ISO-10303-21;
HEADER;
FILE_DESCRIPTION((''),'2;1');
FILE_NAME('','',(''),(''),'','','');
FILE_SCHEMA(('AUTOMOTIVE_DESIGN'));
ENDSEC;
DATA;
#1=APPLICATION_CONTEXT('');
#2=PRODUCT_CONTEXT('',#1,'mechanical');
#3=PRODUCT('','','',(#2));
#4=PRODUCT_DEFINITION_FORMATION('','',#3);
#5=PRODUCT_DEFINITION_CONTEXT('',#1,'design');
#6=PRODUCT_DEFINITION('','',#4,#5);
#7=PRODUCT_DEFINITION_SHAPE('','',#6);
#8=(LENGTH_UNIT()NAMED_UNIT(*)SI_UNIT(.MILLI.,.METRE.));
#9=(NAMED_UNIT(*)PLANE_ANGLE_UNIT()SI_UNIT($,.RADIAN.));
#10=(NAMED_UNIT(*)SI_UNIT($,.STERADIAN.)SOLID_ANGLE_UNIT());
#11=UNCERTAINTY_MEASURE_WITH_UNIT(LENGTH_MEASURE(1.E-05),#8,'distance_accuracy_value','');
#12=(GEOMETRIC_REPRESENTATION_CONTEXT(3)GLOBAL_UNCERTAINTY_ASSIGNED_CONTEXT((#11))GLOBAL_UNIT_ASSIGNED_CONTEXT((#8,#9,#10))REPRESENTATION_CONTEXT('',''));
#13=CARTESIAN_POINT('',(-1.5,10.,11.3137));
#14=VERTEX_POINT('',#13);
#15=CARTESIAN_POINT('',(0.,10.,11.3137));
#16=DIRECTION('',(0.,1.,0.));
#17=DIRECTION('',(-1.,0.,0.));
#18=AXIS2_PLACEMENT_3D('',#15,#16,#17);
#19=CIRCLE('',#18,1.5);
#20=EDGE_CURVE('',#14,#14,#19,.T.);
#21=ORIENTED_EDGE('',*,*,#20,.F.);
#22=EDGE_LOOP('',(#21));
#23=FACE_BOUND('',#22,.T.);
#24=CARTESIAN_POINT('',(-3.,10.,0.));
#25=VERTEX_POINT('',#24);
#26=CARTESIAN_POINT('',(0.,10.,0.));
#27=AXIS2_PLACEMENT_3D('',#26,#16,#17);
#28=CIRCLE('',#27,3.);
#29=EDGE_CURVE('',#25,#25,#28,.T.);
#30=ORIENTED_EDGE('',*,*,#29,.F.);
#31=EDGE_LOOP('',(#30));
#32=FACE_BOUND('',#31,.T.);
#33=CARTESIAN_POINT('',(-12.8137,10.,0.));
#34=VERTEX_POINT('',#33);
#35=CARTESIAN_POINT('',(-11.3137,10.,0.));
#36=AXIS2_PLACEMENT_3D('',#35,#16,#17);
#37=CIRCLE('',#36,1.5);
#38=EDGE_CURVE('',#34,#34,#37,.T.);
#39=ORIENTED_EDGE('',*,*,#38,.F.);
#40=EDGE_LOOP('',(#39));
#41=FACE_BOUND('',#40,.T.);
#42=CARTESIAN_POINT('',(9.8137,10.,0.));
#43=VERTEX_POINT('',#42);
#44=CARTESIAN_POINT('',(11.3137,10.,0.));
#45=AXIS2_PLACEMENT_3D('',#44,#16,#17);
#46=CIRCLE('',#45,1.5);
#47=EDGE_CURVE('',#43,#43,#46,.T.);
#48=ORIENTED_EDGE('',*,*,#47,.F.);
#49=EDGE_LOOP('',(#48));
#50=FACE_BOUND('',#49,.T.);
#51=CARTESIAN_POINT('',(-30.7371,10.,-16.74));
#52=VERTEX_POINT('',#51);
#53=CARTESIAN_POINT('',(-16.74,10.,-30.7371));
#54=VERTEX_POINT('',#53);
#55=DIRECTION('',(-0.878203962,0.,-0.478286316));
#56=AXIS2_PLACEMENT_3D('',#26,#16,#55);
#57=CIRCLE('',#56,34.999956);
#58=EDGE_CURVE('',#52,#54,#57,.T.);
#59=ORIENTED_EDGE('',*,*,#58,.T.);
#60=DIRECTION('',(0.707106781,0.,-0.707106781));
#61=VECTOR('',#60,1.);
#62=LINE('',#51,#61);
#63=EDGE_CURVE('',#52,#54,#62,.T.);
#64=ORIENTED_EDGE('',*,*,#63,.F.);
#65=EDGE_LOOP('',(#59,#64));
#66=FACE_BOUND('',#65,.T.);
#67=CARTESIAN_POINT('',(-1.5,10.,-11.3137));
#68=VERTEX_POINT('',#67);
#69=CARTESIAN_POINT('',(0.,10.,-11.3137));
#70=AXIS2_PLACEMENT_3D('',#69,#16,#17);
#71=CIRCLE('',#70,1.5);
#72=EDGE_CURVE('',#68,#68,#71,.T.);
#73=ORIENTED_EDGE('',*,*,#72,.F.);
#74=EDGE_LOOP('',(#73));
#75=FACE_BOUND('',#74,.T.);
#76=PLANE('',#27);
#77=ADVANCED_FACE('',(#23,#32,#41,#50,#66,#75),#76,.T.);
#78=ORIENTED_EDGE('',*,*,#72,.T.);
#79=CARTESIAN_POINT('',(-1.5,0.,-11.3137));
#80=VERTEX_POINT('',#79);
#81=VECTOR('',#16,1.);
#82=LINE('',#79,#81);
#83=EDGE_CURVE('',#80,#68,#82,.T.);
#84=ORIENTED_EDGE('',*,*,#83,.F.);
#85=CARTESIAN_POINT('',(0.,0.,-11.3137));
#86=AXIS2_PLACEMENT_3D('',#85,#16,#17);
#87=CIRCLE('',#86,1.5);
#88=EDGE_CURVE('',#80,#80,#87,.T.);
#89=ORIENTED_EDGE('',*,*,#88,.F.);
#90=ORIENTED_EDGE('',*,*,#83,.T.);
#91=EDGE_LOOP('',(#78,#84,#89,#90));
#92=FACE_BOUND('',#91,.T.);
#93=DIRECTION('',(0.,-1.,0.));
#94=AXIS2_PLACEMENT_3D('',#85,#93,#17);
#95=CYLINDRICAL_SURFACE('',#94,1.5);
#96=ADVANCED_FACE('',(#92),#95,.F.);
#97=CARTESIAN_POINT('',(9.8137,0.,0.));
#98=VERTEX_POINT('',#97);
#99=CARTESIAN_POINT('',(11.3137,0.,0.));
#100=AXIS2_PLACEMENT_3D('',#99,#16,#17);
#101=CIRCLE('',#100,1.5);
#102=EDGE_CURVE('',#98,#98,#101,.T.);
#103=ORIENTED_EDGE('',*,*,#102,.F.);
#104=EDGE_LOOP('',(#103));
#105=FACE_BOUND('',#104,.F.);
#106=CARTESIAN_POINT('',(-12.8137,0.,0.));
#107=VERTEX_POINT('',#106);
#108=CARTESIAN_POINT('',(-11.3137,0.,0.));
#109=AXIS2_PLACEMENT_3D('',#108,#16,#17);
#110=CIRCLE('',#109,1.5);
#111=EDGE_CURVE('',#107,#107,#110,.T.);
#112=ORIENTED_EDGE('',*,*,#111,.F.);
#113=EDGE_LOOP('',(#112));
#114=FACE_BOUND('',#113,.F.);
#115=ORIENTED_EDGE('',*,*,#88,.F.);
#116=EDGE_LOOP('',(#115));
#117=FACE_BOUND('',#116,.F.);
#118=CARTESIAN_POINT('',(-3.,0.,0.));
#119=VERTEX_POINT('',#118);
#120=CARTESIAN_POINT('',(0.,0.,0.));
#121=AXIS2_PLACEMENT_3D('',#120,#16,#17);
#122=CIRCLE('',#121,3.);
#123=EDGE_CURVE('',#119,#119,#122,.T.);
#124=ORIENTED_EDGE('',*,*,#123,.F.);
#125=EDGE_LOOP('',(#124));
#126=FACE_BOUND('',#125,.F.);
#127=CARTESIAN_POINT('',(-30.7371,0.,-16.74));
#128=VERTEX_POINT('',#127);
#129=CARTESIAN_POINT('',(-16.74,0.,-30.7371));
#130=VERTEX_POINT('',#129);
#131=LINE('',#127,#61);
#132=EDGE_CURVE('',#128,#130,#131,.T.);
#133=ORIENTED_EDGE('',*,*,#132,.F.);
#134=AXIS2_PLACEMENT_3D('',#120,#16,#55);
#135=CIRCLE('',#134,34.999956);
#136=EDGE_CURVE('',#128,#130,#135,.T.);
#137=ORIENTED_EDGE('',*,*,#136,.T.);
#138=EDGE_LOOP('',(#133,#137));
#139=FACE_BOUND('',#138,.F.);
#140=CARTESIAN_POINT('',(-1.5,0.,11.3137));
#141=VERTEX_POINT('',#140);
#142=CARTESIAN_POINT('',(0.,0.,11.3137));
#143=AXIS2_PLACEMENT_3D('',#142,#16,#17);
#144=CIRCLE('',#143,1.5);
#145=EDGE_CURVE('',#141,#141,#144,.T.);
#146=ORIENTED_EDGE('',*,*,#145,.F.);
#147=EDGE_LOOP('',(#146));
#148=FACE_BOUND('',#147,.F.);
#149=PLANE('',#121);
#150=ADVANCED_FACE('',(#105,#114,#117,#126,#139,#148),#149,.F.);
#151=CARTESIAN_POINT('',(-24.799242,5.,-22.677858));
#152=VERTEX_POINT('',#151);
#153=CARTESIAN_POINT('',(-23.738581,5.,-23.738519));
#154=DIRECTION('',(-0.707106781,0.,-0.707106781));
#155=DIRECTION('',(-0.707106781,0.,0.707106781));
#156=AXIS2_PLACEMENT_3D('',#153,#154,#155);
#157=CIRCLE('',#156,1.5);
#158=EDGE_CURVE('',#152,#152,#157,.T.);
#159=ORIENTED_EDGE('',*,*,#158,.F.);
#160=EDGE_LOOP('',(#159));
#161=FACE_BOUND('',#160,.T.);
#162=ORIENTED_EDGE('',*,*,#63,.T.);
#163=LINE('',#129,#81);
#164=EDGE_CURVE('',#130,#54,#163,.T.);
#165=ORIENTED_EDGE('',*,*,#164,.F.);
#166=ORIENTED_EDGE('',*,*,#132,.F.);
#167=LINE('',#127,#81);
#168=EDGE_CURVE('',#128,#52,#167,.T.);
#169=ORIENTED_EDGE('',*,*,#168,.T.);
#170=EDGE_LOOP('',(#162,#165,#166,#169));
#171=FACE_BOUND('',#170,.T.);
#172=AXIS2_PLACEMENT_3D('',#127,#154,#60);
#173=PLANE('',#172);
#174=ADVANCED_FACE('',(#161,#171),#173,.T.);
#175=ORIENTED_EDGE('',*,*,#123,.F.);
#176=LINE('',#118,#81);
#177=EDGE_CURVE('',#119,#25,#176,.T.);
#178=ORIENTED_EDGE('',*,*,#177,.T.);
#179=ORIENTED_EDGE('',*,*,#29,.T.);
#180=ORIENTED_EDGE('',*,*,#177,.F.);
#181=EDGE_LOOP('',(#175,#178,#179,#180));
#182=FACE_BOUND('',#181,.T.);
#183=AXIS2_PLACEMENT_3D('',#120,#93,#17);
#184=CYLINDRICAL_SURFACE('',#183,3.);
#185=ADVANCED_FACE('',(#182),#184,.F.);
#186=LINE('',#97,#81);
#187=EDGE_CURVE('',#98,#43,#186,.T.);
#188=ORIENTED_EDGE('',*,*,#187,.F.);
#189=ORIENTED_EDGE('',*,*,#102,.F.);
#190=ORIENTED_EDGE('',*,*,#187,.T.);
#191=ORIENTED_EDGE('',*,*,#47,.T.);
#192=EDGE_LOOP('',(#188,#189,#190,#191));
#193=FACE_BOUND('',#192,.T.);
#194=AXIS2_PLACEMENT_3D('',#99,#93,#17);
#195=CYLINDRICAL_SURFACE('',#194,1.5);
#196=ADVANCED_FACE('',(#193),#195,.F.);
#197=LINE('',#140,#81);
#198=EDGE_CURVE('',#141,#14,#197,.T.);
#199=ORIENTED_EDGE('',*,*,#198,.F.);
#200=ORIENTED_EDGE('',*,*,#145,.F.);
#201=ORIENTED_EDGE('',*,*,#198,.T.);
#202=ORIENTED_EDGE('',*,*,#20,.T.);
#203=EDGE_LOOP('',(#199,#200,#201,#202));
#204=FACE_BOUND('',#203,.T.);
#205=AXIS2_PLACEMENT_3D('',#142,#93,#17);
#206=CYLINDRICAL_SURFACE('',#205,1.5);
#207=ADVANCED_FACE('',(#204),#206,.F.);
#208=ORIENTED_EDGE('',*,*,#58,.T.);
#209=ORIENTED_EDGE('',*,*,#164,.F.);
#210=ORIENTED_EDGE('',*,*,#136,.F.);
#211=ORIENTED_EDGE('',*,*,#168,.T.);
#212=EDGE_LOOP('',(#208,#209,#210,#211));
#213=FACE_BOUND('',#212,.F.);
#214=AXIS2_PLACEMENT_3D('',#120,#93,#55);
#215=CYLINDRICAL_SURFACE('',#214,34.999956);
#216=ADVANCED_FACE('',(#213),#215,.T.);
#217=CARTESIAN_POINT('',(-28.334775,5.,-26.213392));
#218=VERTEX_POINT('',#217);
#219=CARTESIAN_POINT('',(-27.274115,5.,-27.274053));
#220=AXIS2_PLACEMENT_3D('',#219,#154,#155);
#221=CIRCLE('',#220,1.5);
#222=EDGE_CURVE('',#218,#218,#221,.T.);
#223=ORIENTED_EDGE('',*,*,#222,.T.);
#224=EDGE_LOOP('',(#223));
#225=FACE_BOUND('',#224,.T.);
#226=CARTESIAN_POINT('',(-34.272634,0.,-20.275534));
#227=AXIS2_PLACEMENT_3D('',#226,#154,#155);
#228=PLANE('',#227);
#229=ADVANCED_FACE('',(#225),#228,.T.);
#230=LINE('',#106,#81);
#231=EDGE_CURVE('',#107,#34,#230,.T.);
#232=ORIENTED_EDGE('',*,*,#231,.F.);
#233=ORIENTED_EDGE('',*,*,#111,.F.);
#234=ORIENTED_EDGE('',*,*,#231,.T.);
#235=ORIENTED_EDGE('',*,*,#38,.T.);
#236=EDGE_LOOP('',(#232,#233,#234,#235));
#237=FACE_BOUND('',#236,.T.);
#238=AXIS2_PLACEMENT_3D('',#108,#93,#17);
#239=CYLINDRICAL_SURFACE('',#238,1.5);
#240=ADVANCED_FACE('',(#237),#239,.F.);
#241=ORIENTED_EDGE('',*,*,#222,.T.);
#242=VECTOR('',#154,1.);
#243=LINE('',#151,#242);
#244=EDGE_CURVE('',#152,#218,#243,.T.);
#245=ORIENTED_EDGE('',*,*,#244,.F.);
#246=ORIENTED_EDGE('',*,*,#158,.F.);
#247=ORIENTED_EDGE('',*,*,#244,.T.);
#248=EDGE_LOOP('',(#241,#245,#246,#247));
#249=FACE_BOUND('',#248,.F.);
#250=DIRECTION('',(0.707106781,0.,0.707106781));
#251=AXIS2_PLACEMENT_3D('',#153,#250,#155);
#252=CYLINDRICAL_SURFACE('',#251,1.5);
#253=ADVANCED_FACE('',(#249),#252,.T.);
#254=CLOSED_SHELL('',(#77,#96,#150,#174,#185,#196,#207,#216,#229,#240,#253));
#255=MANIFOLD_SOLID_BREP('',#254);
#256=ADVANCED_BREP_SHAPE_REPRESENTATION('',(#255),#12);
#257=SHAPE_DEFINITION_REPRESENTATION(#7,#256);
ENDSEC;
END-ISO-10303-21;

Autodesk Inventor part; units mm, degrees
ref_plane "YZ Plane" through (0, 0, 0) normal (1, 0, 0) x (0, 1, 0)
ref_plane "XZ Plane" through (0, 0, 0) normal (0, 1, 0) x (-1, 0, 0)
ref_plane "XY Plane" through (0, 0, 0) normal (0, 0, 1) x (1, 0, 0)
sketch "Sketch1" plane through (0, 0, 0) normal (0, 1, 0) x (-1, 0, 0)
  arc A0 (30.7371, -16.74) -> (16.74, -30.7371) centre (0, 0) ccw
  line L0 (30.7371, -16.74) -> (16.74, -30.7371)
  circle A1 centre (11.3137, 0) radius 1.5
  line L1 (0, -11.3137) -> (11.3137, 0) construction
  line L2 (11.3137, 0) -> (0, 11.3137) construction
  circle A2 centre (0, -11.3137) radius 1.5
  circle A3 centre (0, 11.3137) radius 1.5
  line L3 (0, 11.3137) -> (-11.3137, 0) construction
  line L4 (-11.3137, 0) -> (0, -11.3137) construction
  line L5 (11.3137, 0) -> (-11.3137, 0) construction
  line L6 (0, -11.3137) -> (0, 11.3137) construction
  circle A4 centre (-11.3137, 0) radius 1.5
  circle A5 centre (0, 0) radius 3
  dimension "d2" = 70
  dimension "d13" = 16
  dimension "d14" = 3
  dimension "d16" = 6
extrude "Extrusion1" add sketch "Sketch1" along normal blind 10
sketch "Sketch3" plane through (-30.7371, 0, -16.74) normal (-0.7071, 0, -0.7071) x (-0.7071, 0, 0.7071)
  line L0 (-19.7949, 0) -> (0, 0) construction
  line L1 (-19.7949, 10) -> (0, 10) construction
  line L2 (0, 0) -> (-19.7949, 10) construction
  circle A0 centre (-9.8974, 5) radius 1.5
  point P0 (-9.8974, 0)
  dimension "d17" = 3
extrude "Extrusion3" add sketch "Sketch3" along normal blind 5
properties part number "Pulley-35"
